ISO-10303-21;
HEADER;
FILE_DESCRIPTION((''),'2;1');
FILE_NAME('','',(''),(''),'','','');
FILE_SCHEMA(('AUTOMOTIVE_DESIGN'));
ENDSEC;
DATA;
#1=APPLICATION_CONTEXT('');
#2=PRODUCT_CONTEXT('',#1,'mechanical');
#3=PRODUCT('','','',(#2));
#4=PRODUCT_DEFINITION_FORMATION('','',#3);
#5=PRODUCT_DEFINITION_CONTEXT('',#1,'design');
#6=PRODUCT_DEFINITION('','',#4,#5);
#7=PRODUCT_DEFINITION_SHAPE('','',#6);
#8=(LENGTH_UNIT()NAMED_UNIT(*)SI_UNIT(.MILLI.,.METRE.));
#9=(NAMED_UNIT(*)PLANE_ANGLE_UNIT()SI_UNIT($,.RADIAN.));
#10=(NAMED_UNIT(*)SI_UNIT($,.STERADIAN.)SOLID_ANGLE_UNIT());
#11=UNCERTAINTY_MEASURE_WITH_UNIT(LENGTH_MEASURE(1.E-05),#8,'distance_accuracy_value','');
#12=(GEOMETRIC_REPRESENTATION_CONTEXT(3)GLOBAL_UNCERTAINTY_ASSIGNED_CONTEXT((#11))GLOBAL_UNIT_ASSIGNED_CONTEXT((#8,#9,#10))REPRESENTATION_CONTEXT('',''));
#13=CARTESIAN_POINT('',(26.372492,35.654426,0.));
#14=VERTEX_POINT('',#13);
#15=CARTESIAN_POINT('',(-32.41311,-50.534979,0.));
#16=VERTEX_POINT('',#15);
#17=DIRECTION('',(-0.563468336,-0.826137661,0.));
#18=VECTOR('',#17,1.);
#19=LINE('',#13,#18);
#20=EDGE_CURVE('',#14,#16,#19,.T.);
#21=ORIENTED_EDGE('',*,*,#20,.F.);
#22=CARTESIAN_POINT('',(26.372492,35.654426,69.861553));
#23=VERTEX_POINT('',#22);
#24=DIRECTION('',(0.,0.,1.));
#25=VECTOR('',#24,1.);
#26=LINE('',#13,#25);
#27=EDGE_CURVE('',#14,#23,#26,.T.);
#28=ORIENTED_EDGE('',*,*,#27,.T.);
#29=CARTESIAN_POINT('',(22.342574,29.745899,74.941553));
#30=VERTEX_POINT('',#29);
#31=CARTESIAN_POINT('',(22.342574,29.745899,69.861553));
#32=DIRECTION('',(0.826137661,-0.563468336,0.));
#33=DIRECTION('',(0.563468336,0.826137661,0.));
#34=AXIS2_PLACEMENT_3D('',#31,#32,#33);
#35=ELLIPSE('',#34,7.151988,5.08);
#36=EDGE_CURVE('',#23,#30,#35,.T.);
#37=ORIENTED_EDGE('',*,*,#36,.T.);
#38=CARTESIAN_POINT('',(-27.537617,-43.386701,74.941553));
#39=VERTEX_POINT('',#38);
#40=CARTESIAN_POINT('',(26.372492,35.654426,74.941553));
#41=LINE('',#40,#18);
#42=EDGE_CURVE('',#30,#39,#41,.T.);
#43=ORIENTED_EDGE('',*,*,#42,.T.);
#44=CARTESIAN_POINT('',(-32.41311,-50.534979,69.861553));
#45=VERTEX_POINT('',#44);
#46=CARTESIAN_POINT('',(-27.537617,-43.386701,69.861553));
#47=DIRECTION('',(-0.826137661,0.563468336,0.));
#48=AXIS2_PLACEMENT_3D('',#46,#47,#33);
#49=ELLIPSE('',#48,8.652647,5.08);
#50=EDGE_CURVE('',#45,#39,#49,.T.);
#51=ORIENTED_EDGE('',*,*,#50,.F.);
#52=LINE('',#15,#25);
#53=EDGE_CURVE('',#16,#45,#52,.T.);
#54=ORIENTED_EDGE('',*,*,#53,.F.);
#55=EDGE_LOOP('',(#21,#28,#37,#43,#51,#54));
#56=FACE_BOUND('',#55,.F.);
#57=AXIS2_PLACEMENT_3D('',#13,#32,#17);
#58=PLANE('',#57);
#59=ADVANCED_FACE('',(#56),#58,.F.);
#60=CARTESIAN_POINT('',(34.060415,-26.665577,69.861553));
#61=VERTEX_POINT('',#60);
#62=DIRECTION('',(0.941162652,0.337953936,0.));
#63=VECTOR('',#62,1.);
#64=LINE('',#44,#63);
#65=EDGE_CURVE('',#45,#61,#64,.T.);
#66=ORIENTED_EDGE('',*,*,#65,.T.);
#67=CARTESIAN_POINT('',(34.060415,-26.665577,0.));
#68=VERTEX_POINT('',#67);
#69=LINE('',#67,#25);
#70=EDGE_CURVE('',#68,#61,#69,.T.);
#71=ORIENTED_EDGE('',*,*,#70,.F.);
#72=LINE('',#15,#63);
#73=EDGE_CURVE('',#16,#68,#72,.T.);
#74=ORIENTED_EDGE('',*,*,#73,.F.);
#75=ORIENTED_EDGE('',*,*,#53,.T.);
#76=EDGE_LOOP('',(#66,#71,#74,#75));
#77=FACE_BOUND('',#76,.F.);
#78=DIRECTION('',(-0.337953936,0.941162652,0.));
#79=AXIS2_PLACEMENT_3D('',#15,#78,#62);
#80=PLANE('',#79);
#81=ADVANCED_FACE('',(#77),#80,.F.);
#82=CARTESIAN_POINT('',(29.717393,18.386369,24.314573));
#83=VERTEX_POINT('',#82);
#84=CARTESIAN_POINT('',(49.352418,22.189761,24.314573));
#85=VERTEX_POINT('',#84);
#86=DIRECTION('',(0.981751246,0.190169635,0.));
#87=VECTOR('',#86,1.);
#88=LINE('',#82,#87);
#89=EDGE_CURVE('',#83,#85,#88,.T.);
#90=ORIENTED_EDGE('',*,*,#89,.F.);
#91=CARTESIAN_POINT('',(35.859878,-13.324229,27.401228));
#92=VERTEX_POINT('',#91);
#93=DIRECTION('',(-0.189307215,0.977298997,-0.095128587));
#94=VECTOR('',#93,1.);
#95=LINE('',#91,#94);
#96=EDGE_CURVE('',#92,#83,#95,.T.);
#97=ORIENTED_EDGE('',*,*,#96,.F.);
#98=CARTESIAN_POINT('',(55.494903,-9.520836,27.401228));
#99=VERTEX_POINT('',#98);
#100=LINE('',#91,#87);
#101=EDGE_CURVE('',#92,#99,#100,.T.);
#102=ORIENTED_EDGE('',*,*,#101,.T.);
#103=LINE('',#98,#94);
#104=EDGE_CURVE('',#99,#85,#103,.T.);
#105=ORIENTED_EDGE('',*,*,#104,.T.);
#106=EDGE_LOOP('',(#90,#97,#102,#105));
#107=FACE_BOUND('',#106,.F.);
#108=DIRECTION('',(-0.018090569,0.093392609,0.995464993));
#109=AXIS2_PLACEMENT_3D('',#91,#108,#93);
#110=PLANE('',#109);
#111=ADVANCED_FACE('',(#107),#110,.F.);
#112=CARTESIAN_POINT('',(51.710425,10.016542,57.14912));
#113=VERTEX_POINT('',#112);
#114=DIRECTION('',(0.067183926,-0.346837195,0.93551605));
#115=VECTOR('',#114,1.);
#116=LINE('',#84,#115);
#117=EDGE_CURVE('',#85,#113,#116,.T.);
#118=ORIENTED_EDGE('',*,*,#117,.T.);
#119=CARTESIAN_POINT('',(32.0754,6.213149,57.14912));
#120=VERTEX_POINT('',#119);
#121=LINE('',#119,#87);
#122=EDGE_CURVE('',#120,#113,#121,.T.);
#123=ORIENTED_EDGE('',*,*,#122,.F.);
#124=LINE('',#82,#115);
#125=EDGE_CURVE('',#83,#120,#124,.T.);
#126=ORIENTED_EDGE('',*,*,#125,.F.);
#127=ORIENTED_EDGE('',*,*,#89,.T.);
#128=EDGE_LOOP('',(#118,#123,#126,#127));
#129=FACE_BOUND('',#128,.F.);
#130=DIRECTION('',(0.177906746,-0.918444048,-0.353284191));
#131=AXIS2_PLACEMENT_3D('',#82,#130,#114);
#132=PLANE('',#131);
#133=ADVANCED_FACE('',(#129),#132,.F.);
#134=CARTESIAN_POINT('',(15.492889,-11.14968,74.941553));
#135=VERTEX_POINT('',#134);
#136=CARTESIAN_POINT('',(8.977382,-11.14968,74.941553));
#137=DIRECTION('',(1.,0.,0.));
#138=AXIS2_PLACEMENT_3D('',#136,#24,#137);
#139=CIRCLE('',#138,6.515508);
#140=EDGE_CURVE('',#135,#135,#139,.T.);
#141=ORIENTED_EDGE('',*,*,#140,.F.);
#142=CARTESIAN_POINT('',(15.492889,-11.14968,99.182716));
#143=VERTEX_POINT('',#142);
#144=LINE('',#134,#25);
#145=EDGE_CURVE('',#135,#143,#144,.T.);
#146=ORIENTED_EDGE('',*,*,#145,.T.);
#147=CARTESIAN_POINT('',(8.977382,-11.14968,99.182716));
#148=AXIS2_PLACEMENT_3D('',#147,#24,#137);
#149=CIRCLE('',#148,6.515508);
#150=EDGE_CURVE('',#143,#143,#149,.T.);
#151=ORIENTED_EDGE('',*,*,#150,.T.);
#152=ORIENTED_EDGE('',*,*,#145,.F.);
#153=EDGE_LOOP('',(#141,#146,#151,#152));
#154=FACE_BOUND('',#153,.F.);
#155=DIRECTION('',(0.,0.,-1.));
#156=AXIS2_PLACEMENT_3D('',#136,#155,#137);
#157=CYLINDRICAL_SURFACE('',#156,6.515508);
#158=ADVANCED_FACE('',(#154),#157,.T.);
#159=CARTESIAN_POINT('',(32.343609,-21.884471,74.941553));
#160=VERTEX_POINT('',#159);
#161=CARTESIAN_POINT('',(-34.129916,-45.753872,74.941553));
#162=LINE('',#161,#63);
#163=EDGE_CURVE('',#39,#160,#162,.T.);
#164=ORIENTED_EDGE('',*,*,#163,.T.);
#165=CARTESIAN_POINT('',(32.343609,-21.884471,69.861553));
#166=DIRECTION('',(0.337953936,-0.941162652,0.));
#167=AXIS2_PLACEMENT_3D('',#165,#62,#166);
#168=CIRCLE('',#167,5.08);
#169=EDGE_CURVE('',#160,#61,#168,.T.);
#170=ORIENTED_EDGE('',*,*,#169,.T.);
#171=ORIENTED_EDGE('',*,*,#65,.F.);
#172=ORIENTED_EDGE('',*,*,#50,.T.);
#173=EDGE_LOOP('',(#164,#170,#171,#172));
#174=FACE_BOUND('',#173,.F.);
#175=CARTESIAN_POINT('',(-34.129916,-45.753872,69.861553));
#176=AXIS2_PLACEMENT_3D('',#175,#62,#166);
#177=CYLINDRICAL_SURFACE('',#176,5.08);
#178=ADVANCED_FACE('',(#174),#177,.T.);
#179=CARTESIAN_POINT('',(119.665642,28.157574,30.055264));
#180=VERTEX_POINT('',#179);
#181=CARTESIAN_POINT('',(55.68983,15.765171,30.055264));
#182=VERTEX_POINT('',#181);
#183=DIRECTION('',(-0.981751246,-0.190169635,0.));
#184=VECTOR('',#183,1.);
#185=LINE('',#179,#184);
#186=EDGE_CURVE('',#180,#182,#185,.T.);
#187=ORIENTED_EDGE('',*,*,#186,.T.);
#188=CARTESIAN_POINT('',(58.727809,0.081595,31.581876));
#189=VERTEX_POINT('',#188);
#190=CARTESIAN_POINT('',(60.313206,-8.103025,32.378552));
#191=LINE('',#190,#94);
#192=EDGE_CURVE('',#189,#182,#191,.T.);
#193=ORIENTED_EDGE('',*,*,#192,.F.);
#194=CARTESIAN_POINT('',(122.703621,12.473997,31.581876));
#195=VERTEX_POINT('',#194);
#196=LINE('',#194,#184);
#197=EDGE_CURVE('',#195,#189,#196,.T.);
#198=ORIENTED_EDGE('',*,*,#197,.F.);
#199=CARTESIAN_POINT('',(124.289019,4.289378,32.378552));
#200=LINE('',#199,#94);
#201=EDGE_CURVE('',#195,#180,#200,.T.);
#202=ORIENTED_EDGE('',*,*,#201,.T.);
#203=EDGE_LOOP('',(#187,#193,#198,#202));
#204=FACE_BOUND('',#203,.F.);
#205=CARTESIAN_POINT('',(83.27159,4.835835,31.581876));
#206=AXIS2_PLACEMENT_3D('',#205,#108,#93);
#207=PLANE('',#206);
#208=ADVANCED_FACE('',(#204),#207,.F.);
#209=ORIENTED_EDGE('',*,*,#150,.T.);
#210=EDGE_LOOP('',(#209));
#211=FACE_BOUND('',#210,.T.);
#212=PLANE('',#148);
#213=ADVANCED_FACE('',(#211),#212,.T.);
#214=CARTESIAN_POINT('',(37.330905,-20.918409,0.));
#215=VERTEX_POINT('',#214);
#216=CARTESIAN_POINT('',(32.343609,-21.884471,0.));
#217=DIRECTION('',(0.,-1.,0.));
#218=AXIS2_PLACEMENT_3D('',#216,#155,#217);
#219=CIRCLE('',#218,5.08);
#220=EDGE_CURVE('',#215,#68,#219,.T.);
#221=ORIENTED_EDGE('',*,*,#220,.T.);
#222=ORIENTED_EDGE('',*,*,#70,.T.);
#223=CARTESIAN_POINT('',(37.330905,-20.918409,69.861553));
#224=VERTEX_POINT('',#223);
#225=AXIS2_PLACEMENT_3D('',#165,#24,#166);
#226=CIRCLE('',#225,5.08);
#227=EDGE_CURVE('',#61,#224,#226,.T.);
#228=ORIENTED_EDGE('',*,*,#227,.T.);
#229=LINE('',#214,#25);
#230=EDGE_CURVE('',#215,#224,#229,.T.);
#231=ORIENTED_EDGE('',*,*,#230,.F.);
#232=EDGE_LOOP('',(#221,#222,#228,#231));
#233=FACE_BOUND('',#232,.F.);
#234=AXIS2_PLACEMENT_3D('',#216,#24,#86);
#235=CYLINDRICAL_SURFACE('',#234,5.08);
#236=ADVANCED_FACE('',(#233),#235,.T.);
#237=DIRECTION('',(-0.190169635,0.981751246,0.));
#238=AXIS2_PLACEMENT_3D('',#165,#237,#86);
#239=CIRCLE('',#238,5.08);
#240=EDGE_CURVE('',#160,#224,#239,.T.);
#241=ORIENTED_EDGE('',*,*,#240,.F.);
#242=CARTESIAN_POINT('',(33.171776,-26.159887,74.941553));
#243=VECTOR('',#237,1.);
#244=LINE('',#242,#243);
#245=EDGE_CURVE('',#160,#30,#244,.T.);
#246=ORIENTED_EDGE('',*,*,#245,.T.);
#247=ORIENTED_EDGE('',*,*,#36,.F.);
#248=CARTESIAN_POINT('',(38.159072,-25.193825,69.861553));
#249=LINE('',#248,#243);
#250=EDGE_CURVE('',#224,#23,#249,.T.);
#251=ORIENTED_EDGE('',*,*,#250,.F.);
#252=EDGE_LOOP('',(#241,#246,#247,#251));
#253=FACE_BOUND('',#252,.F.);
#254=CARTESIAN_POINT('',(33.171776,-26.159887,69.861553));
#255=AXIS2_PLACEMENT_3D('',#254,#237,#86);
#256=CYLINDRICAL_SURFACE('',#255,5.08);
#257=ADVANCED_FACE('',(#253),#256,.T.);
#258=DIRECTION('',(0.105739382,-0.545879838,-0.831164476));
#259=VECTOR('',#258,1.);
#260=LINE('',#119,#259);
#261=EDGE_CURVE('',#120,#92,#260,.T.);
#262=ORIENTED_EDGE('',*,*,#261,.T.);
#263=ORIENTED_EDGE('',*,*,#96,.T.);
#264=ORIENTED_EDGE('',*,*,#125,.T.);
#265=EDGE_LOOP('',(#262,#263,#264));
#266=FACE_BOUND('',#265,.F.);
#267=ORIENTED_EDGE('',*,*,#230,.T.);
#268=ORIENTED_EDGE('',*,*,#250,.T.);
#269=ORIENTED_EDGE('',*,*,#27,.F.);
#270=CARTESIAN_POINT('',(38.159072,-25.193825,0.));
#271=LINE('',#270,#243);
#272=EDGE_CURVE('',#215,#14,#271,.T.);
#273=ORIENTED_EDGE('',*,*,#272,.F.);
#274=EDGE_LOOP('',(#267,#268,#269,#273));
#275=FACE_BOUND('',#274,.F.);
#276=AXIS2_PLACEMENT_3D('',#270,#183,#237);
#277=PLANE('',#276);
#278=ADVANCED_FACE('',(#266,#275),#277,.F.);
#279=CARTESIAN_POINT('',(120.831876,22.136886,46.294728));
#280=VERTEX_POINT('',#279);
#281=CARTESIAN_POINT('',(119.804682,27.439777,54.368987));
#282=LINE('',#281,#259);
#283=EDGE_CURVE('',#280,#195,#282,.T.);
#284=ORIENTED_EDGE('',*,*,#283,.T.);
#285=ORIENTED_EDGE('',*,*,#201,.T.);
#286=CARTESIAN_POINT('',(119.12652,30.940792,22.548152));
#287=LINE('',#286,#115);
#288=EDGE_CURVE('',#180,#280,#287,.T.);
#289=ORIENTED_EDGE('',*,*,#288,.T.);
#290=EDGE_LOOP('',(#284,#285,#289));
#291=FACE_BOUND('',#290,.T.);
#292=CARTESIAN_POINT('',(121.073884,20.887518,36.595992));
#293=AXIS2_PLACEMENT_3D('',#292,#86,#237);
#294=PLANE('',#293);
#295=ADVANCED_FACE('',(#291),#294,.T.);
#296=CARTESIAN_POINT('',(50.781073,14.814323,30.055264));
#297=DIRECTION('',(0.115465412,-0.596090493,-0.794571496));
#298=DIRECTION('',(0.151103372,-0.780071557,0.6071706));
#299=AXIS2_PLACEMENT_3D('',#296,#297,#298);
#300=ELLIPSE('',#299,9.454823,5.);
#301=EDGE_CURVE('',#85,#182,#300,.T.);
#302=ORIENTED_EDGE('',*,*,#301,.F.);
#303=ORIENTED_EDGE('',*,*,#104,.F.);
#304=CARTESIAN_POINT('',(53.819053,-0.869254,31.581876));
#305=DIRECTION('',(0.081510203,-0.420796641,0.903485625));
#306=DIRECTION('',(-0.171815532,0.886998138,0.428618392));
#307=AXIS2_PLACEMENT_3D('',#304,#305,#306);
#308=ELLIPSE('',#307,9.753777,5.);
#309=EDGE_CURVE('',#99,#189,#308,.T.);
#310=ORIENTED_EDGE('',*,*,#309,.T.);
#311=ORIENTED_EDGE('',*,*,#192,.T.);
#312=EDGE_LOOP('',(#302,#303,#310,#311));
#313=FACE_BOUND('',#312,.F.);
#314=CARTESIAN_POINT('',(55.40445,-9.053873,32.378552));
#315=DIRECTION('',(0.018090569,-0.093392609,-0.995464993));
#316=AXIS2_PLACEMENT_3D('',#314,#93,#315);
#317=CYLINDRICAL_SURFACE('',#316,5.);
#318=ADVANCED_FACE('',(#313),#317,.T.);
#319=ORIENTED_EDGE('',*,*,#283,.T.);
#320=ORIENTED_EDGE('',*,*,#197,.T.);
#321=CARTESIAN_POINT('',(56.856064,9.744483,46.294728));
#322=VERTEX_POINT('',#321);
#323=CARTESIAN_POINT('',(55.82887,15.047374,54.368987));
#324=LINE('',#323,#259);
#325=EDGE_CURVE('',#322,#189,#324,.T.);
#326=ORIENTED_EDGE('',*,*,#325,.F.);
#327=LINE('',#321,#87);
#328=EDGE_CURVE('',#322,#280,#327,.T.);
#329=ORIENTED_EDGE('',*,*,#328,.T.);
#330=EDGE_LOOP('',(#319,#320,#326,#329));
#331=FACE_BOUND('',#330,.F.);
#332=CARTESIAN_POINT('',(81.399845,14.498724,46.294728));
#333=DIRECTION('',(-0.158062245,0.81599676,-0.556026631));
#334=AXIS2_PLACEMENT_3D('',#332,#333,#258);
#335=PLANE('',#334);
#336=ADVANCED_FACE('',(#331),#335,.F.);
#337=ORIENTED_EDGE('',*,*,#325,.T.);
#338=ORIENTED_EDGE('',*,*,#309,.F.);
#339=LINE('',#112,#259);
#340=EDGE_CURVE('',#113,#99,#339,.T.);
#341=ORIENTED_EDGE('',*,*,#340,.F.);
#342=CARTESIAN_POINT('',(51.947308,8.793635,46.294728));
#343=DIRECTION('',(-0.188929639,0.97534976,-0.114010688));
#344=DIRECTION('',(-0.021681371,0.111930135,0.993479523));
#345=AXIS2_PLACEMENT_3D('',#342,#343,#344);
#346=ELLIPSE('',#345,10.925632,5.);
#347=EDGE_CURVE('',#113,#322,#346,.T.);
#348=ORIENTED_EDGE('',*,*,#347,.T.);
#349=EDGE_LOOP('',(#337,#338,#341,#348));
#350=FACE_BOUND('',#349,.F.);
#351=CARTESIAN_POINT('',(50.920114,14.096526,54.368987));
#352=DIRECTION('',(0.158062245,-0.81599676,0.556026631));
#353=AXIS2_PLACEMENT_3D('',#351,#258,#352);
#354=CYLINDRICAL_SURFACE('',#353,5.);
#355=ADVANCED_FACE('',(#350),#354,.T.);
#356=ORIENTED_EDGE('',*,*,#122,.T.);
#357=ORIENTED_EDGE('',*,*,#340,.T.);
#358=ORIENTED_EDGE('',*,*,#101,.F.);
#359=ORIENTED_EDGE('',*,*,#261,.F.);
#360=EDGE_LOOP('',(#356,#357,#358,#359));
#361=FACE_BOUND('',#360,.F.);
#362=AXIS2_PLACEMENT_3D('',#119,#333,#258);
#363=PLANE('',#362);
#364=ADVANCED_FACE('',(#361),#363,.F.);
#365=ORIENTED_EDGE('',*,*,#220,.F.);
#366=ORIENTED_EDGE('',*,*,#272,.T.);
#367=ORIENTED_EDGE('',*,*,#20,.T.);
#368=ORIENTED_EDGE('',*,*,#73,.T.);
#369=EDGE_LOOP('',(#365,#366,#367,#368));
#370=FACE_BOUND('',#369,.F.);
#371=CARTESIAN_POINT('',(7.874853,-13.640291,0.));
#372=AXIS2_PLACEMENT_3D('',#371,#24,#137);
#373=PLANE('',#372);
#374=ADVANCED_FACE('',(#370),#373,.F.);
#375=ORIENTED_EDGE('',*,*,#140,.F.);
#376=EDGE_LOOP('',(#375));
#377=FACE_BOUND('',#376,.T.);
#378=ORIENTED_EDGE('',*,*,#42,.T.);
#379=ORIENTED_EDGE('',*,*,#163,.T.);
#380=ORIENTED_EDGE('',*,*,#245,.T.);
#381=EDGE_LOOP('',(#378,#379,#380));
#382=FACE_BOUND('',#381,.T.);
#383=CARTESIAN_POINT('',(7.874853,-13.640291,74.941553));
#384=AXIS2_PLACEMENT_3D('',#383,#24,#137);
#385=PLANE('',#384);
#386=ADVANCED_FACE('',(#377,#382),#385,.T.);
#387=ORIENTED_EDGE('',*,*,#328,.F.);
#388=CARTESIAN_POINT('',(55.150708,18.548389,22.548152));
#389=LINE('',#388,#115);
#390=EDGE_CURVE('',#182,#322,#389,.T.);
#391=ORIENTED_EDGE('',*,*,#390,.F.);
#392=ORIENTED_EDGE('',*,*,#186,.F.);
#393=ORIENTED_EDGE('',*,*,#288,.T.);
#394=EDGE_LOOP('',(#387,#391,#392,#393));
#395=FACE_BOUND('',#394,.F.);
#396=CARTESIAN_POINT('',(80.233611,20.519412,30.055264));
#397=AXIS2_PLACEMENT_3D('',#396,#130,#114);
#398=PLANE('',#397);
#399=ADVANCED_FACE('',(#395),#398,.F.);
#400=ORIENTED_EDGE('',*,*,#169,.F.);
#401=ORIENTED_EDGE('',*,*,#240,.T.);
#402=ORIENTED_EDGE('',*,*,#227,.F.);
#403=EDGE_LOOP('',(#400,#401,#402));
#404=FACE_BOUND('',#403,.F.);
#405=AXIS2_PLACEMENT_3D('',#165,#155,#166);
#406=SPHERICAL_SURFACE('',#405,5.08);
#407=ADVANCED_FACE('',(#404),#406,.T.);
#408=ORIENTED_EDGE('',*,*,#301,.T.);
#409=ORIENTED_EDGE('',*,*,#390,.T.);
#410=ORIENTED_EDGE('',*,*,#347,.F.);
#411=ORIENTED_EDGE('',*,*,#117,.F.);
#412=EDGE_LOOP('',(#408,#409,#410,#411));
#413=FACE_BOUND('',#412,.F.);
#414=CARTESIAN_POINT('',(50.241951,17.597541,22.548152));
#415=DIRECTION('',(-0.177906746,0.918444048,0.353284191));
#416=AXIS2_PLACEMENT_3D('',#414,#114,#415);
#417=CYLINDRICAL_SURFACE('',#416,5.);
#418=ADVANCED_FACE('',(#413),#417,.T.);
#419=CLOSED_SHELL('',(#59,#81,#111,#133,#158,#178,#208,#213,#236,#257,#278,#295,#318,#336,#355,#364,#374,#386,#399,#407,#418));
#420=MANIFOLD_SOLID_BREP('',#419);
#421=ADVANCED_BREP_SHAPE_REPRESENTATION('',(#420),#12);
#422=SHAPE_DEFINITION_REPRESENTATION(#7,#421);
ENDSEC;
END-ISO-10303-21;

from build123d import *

# Parameters (mm, degrees)
F1_DEPTH = 74.9415531754
F2_R     = 5.08
F3_R     = 6.5155077524
F4_DEPTH = 24.241162464
F6_DEPTH = 25
F7_R     = 5
F8_DEPTH = 25
F9_DEPTH = 40.1649922132


with BuildPart() as f1:
    # F0 (on Top) → F1 (new body)
    with BuildSketch(Plane.XY):
        Polygon((38.1590723991, -25.1938253641), (26.3724923134, 35.654425621), (-32.413110137, -50.5349785089), align=None)
    extrude(amount=F1_DEPTH)

    # F2
    f2_edges = [f1.edges().sort_by_distance(p)[0] for p in [
        (2.872981, -37.864402, 74.941553),
        (32.265782, 5.2303, 74.941553),
        (38.159072, -25.193825, 37.470777),
    ]]
    fillet(f2_edges, radius=F2_R)

    # F3 (on face) → F4 (join)
    with BuildSketch(Plane.XY.offset(74.9415531754)):
        with Locations((8.9773815125, -11.1496802419)):
            Circle(F3_R)
    extrude(amount=F4_DEPTH)

    # F5 (on face) → F6 (join)
    with BuildSketch(Plane(origin=(32.0754000375, 6.2131493544, 0), x_dir=(-0.1901696352, 0.9817512464, 0), z_dir=(0.9817512464, 0.1901696352, 0))):
        Polygon((0, 57.1491196752), (-19.9005380273, 27.401227504), (12.399494648, 24.3145730346), align=None)
    extrude(amount=F6_DEPTH)

    # F7
    f7_edges = [f1.edges().sort_by_distance(p)[0] for p in [
        (55.440178, 17.054, 40.731846),
        (57.332417, 7.285311, 25.8579),
        (58.51142, 1.198701, 42.275174),
    ]]
    fillet(f7_edges, radius=F7_R)

    # F8 (add): a face of the model
    f8_faces = [f1.faces().sort_by_distance(p)[0] for p in [
        (57.091234066, 8.5304160504, 35.9772892723),
    ]]
    extrude(f8_faces, amount=F8_DEPTH)

    # F9 (add): a face of the model
    f9_faces = [f1.faces().sort_by_distance(p)[0] for p in [
        (81.6350152267, 13.2846569295, 35.9772892723),
    ]]
    extrude(f9_faces, amount=F9_DEPTH)


solid = f1.part
